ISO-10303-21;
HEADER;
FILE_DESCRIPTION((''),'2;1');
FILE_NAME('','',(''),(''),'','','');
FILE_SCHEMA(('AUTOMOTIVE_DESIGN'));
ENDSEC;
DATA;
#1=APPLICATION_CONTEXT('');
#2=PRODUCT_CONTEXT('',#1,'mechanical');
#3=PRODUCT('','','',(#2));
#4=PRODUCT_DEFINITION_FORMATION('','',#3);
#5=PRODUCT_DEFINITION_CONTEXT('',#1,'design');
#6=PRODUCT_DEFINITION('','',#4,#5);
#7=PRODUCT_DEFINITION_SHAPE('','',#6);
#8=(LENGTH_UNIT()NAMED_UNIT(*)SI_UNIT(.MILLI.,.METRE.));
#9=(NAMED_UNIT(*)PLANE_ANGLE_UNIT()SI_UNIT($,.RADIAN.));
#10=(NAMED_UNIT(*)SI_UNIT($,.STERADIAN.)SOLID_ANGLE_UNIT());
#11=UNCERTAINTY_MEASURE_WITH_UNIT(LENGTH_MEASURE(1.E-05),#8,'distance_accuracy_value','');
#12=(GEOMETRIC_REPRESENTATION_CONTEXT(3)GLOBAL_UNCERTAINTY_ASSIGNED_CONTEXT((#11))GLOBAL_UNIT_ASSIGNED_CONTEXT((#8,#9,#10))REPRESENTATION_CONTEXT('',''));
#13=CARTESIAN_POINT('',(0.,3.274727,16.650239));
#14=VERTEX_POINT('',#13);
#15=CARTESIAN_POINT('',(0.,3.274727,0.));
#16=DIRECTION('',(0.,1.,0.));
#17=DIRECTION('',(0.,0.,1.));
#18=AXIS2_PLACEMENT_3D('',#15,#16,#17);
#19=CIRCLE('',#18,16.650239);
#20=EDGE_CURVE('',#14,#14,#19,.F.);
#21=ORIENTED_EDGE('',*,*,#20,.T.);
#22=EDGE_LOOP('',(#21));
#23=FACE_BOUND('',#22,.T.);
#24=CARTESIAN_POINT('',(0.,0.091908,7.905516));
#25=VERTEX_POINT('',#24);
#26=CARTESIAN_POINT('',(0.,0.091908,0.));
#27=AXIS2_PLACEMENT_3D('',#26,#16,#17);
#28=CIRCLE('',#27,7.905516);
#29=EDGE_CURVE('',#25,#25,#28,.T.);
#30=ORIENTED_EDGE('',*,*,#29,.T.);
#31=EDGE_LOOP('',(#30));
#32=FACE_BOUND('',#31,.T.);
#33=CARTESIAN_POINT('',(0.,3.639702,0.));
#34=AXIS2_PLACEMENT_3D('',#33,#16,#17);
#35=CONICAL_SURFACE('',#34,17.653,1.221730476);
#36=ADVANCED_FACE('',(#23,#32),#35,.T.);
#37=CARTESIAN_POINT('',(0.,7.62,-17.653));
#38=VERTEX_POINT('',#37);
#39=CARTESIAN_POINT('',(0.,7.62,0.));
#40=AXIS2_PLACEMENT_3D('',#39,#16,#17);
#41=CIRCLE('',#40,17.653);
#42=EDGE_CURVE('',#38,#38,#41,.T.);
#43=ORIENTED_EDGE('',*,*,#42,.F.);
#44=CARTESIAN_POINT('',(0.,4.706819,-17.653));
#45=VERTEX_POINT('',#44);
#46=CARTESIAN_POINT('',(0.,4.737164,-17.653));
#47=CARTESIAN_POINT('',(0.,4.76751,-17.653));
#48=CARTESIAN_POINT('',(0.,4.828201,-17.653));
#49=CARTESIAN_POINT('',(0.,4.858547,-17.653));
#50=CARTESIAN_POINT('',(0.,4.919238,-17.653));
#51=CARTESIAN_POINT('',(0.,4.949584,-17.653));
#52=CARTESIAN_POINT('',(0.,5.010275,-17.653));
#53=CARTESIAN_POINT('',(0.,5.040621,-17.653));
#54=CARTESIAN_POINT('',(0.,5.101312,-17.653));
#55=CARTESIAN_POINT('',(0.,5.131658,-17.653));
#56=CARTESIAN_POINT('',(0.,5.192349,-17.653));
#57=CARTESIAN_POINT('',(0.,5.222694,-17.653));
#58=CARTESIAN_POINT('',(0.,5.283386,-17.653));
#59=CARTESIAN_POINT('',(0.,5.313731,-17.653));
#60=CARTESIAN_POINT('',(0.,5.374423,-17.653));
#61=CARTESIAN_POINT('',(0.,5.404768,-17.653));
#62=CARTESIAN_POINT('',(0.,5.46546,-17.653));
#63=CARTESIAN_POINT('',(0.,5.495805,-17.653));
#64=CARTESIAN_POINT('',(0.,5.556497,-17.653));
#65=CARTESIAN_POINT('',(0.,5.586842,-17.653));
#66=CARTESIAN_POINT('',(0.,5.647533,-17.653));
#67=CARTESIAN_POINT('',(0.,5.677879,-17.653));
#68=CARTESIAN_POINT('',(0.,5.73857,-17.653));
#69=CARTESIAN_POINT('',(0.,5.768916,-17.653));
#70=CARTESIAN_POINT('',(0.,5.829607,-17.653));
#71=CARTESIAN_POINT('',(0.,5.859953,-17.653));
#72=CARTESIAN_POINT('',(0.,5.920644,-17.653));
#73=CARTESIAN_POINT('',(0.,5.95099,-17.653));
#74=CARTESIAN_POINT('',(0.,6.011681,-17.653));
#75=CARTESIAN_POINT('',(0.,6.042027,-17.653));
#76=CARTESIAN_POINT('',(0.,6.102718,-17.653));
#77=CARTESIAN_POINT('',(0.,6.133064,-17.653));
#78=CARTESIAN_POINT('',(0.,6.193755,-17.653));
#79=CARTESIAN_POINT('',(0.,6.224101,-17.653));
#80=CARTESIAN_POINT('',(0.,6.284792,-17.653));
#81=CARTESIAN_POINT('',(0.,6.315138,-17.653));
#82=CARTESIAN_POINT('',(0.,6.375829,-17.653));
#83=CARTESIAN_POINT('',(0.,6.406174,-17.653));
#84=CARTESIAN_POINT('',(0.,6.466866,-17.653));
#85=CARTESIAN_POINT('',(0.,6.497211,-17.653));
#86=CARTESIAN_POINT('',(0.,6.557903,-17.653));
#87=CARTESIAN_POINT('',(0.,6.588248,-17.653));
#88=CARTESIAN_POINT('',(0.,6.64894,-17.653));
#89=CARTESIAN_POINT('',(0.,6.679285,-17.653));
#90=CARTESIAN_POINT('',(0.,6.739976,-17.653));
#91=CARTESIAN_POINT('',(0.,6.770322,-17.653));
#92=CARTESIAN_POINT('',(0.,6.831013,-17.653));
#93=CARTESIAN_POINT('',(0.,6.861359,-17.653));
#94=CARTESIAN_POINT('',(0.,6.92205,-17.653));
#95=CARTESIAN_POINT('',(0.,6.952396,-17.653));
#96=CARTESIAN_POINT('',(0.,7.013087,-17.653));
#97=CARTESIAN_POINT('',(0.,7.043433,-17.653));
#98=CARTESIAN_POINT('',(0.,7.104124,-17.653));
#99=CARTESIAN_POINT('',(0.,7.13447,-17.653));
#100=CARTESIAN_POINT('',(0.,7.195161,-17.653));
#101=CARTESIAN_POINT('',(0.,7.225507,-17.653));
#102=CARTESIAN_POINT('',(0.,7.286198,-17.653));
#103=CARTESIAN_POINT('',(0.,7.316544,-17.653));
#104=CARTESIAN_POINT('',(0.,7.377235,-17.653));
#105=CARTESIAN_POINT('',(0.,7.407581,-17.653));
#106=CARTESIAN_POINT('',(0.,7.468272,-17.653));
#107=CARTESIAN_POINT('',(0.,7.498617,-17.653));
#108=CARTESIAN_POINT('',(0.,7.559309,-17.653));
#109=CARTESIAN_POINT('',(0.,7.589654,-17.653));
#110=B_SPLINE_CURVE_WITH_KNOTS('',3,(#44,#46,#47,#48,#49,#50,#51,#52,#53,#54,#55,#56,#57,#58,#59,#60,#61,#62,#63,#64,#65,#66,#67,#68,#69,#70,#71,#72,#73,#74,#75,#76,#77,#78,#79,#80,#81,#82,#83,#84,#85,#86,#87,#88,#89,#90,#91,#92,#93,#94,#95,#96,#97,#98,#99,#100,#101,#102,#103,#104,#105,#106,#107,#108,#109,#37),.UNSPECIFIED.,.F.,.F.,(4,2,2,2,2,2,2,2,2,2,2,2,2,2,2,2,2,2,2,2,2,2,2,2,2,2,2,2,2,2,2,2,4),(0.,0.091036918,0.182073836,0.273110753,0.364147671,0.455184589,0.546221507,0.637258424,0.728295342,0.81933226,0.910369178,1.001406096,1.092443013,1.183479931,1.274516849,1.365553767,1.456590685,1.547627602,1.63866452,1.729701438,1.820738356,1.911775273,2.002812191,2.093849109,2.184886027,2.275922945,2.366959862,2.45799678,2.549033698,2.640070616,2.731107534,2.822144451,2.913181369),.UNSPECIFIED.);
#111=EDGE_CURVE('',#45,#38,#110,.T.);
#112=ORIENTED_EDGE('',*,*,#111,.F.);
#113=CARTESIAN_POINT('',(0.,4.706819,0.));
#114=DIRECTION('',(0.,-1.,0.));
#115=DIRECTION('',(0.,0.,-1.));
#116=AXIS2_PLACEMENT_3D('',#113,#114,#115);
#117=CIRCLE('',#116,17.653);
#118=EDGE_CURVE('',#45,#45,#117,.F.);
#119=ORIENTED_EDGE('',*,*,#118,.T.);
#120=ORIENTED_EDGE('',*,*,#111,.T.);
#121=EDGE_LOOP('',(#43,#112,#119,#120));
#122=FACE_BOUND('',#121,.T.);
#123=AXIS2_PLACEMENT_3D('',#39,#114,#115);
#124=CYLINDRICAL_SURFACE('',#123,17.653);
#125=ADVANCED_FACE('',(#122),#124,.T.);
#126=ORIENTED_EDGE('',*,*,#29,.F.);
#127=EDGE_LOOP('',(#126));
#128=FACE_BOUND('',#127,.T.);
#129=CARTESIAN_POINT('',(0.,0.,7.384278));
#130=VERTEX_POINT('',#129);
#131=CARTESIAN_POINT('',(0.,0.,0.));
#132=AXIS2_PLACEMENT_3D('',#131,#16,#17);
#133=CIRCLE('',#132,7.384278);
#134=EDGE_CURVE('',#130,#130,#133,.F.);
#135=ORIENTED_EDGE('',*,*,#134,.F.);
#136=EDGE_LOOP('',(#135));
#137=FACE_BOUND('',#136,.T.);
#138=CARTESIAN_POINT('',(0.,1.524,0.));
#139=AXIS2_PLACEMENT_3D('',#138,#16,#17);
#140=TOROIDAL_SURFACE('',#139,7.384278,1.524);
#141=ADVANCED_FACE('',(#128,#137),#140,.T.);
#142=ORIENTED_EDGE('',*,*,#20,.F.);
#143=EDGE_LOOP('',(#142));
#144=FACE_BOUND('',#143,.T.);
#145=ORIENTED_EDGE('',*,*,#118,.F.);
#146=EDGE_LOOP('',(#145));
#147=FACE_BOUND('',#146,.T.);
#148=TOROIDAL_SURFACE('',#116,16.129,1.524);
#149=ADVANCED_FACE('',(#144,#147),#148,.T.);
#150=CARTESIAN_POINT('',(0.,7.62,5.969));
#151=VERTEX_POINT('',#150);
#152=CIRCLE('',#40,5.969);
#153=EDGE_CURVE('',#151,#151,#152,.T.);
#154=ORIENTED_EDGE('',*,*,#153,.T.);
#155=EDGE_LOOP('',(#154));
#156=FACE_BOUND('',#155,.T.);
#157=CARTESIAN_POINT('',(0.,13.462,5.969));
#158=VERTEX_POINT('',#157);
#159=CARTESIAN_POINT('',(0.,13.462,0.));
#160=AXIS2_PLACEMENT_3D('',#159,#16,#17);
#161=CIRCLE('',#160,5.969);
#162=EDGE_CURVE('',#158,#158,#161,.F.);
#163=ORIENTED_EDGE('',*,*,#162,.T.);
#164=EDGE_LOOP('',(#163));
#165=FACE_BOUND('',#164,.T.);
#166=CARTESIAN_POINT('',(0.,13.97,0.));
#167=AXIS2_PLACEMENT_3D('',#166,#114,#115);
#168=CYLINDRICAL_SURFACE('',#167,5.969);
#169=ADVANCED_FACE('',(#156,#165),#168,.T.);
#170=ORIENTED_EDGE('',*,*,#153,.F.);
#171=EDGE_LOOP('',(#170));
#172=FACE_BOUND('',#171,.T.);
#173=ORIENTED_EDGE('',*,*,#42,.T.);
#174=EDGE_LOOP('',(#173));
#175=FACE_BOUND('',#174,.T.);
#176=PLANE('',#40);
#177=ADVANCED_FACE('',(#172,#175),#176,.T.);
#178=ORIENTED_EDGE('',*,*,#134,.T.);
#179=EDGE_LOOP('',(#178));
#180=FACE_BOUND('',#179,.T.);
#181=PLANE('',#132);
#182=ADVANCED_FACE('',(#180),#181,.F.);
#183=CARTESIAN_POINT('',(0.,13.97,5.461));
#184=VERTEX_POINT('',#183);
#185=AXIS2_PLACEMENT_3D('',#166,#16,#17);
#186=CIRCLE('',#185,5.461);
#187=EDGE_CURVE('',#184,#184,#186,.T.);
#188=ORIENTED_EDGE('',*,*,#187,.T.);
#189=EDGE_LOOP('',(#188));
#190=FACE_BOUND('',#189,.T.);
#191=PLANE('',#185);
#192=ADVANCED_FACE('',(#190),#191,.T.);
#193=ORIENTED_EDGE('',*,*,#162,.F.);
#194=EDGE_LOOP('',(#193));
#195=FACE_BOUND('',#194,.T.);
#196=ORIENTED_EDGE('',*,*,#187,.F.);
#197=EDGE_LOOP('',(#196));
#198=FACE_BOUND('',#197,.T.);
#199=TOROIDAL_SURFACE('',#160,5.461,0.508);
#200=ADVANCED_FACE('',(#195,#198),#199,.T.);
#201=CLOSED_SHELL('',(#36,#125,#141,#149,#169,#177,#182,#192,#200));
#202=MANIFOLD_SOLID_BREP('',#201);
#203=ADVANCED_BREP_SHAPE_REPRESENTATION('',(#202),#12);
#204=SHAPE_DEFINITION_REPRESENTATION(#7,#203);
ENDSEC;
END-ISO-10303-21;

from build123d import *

# Parameters (mm, degrees)
SKETCH1_R           = 17.653
BOSS_EXTRUDE1_DEPTH = 7.62
SKETCH2_R           = 5.969
BOSS_EXTRUDE2_DEPTH = 6.35
CHAMFER1_SIZE       = 10
CHAMFER1_SIZE2      = 3.639702343
FILLET1_R           = 1.524
FILLET2_R           = 0.508


with BuildPart() as part:
    # Sketch1 → Boss-Extrude1 (new body)
    with BuildSketch(Plane(origin=(0, 0, 0), x_dir=(1, 0, 0), z_dir=(0, 1, 0))):
        with Locations(Location((0, 0, 0), (0, 0, 90))):
            Circle(SKETCH1_R)
    extrude(amount=BOSS_EXTRUDE1_DEPTH)

    # Sketch2 → Boss-Extrude2 (add)
    with BuildSketch(Plane(origin=(0, 7.62, 0), x_dir=(1, 0, 0), z_dir=(0, 1, 0))):
        with Locations(Location((0, 0, 0), (0, 0, 270))):
            Circle(SKETCH2_R)
    extrude(amount=BOSS_EXTRUDE2_DEPTH)

    # Chamfer1
    chamfer1_edges = [part.edges().sort_by_distance(p)[0] for p in [
        (0, 0, 17.653),
    ]]
    chamfer1_side = [part.faces().sort_by_distance(p)[0] for p in [
        (0, 0, 0),
    ]]
    chamfer(chamfer1_edges, length=CHAMFER1_SIZE, length2=CHAMFER1_SIZE2, reference=chamfer1_side[0])

    # Fillet1
    fillet1_edges = [part.edges().sort_by_distance(p)[0] for p in [
        (0, 0, 7.653),
        (0, 3.639702343, 17.653),
    ]]
    fillet(fillet1_edges, radius=FILLET1_R)

    # Fillet2
    fillet2_edges = [part.edges().sort_by_distance(p)[0] for p in [
        (0, 13.97, -5.969),
    ]]
    fillet(fillet2_edges, radius=FILLET2_R)


solid = part.part
